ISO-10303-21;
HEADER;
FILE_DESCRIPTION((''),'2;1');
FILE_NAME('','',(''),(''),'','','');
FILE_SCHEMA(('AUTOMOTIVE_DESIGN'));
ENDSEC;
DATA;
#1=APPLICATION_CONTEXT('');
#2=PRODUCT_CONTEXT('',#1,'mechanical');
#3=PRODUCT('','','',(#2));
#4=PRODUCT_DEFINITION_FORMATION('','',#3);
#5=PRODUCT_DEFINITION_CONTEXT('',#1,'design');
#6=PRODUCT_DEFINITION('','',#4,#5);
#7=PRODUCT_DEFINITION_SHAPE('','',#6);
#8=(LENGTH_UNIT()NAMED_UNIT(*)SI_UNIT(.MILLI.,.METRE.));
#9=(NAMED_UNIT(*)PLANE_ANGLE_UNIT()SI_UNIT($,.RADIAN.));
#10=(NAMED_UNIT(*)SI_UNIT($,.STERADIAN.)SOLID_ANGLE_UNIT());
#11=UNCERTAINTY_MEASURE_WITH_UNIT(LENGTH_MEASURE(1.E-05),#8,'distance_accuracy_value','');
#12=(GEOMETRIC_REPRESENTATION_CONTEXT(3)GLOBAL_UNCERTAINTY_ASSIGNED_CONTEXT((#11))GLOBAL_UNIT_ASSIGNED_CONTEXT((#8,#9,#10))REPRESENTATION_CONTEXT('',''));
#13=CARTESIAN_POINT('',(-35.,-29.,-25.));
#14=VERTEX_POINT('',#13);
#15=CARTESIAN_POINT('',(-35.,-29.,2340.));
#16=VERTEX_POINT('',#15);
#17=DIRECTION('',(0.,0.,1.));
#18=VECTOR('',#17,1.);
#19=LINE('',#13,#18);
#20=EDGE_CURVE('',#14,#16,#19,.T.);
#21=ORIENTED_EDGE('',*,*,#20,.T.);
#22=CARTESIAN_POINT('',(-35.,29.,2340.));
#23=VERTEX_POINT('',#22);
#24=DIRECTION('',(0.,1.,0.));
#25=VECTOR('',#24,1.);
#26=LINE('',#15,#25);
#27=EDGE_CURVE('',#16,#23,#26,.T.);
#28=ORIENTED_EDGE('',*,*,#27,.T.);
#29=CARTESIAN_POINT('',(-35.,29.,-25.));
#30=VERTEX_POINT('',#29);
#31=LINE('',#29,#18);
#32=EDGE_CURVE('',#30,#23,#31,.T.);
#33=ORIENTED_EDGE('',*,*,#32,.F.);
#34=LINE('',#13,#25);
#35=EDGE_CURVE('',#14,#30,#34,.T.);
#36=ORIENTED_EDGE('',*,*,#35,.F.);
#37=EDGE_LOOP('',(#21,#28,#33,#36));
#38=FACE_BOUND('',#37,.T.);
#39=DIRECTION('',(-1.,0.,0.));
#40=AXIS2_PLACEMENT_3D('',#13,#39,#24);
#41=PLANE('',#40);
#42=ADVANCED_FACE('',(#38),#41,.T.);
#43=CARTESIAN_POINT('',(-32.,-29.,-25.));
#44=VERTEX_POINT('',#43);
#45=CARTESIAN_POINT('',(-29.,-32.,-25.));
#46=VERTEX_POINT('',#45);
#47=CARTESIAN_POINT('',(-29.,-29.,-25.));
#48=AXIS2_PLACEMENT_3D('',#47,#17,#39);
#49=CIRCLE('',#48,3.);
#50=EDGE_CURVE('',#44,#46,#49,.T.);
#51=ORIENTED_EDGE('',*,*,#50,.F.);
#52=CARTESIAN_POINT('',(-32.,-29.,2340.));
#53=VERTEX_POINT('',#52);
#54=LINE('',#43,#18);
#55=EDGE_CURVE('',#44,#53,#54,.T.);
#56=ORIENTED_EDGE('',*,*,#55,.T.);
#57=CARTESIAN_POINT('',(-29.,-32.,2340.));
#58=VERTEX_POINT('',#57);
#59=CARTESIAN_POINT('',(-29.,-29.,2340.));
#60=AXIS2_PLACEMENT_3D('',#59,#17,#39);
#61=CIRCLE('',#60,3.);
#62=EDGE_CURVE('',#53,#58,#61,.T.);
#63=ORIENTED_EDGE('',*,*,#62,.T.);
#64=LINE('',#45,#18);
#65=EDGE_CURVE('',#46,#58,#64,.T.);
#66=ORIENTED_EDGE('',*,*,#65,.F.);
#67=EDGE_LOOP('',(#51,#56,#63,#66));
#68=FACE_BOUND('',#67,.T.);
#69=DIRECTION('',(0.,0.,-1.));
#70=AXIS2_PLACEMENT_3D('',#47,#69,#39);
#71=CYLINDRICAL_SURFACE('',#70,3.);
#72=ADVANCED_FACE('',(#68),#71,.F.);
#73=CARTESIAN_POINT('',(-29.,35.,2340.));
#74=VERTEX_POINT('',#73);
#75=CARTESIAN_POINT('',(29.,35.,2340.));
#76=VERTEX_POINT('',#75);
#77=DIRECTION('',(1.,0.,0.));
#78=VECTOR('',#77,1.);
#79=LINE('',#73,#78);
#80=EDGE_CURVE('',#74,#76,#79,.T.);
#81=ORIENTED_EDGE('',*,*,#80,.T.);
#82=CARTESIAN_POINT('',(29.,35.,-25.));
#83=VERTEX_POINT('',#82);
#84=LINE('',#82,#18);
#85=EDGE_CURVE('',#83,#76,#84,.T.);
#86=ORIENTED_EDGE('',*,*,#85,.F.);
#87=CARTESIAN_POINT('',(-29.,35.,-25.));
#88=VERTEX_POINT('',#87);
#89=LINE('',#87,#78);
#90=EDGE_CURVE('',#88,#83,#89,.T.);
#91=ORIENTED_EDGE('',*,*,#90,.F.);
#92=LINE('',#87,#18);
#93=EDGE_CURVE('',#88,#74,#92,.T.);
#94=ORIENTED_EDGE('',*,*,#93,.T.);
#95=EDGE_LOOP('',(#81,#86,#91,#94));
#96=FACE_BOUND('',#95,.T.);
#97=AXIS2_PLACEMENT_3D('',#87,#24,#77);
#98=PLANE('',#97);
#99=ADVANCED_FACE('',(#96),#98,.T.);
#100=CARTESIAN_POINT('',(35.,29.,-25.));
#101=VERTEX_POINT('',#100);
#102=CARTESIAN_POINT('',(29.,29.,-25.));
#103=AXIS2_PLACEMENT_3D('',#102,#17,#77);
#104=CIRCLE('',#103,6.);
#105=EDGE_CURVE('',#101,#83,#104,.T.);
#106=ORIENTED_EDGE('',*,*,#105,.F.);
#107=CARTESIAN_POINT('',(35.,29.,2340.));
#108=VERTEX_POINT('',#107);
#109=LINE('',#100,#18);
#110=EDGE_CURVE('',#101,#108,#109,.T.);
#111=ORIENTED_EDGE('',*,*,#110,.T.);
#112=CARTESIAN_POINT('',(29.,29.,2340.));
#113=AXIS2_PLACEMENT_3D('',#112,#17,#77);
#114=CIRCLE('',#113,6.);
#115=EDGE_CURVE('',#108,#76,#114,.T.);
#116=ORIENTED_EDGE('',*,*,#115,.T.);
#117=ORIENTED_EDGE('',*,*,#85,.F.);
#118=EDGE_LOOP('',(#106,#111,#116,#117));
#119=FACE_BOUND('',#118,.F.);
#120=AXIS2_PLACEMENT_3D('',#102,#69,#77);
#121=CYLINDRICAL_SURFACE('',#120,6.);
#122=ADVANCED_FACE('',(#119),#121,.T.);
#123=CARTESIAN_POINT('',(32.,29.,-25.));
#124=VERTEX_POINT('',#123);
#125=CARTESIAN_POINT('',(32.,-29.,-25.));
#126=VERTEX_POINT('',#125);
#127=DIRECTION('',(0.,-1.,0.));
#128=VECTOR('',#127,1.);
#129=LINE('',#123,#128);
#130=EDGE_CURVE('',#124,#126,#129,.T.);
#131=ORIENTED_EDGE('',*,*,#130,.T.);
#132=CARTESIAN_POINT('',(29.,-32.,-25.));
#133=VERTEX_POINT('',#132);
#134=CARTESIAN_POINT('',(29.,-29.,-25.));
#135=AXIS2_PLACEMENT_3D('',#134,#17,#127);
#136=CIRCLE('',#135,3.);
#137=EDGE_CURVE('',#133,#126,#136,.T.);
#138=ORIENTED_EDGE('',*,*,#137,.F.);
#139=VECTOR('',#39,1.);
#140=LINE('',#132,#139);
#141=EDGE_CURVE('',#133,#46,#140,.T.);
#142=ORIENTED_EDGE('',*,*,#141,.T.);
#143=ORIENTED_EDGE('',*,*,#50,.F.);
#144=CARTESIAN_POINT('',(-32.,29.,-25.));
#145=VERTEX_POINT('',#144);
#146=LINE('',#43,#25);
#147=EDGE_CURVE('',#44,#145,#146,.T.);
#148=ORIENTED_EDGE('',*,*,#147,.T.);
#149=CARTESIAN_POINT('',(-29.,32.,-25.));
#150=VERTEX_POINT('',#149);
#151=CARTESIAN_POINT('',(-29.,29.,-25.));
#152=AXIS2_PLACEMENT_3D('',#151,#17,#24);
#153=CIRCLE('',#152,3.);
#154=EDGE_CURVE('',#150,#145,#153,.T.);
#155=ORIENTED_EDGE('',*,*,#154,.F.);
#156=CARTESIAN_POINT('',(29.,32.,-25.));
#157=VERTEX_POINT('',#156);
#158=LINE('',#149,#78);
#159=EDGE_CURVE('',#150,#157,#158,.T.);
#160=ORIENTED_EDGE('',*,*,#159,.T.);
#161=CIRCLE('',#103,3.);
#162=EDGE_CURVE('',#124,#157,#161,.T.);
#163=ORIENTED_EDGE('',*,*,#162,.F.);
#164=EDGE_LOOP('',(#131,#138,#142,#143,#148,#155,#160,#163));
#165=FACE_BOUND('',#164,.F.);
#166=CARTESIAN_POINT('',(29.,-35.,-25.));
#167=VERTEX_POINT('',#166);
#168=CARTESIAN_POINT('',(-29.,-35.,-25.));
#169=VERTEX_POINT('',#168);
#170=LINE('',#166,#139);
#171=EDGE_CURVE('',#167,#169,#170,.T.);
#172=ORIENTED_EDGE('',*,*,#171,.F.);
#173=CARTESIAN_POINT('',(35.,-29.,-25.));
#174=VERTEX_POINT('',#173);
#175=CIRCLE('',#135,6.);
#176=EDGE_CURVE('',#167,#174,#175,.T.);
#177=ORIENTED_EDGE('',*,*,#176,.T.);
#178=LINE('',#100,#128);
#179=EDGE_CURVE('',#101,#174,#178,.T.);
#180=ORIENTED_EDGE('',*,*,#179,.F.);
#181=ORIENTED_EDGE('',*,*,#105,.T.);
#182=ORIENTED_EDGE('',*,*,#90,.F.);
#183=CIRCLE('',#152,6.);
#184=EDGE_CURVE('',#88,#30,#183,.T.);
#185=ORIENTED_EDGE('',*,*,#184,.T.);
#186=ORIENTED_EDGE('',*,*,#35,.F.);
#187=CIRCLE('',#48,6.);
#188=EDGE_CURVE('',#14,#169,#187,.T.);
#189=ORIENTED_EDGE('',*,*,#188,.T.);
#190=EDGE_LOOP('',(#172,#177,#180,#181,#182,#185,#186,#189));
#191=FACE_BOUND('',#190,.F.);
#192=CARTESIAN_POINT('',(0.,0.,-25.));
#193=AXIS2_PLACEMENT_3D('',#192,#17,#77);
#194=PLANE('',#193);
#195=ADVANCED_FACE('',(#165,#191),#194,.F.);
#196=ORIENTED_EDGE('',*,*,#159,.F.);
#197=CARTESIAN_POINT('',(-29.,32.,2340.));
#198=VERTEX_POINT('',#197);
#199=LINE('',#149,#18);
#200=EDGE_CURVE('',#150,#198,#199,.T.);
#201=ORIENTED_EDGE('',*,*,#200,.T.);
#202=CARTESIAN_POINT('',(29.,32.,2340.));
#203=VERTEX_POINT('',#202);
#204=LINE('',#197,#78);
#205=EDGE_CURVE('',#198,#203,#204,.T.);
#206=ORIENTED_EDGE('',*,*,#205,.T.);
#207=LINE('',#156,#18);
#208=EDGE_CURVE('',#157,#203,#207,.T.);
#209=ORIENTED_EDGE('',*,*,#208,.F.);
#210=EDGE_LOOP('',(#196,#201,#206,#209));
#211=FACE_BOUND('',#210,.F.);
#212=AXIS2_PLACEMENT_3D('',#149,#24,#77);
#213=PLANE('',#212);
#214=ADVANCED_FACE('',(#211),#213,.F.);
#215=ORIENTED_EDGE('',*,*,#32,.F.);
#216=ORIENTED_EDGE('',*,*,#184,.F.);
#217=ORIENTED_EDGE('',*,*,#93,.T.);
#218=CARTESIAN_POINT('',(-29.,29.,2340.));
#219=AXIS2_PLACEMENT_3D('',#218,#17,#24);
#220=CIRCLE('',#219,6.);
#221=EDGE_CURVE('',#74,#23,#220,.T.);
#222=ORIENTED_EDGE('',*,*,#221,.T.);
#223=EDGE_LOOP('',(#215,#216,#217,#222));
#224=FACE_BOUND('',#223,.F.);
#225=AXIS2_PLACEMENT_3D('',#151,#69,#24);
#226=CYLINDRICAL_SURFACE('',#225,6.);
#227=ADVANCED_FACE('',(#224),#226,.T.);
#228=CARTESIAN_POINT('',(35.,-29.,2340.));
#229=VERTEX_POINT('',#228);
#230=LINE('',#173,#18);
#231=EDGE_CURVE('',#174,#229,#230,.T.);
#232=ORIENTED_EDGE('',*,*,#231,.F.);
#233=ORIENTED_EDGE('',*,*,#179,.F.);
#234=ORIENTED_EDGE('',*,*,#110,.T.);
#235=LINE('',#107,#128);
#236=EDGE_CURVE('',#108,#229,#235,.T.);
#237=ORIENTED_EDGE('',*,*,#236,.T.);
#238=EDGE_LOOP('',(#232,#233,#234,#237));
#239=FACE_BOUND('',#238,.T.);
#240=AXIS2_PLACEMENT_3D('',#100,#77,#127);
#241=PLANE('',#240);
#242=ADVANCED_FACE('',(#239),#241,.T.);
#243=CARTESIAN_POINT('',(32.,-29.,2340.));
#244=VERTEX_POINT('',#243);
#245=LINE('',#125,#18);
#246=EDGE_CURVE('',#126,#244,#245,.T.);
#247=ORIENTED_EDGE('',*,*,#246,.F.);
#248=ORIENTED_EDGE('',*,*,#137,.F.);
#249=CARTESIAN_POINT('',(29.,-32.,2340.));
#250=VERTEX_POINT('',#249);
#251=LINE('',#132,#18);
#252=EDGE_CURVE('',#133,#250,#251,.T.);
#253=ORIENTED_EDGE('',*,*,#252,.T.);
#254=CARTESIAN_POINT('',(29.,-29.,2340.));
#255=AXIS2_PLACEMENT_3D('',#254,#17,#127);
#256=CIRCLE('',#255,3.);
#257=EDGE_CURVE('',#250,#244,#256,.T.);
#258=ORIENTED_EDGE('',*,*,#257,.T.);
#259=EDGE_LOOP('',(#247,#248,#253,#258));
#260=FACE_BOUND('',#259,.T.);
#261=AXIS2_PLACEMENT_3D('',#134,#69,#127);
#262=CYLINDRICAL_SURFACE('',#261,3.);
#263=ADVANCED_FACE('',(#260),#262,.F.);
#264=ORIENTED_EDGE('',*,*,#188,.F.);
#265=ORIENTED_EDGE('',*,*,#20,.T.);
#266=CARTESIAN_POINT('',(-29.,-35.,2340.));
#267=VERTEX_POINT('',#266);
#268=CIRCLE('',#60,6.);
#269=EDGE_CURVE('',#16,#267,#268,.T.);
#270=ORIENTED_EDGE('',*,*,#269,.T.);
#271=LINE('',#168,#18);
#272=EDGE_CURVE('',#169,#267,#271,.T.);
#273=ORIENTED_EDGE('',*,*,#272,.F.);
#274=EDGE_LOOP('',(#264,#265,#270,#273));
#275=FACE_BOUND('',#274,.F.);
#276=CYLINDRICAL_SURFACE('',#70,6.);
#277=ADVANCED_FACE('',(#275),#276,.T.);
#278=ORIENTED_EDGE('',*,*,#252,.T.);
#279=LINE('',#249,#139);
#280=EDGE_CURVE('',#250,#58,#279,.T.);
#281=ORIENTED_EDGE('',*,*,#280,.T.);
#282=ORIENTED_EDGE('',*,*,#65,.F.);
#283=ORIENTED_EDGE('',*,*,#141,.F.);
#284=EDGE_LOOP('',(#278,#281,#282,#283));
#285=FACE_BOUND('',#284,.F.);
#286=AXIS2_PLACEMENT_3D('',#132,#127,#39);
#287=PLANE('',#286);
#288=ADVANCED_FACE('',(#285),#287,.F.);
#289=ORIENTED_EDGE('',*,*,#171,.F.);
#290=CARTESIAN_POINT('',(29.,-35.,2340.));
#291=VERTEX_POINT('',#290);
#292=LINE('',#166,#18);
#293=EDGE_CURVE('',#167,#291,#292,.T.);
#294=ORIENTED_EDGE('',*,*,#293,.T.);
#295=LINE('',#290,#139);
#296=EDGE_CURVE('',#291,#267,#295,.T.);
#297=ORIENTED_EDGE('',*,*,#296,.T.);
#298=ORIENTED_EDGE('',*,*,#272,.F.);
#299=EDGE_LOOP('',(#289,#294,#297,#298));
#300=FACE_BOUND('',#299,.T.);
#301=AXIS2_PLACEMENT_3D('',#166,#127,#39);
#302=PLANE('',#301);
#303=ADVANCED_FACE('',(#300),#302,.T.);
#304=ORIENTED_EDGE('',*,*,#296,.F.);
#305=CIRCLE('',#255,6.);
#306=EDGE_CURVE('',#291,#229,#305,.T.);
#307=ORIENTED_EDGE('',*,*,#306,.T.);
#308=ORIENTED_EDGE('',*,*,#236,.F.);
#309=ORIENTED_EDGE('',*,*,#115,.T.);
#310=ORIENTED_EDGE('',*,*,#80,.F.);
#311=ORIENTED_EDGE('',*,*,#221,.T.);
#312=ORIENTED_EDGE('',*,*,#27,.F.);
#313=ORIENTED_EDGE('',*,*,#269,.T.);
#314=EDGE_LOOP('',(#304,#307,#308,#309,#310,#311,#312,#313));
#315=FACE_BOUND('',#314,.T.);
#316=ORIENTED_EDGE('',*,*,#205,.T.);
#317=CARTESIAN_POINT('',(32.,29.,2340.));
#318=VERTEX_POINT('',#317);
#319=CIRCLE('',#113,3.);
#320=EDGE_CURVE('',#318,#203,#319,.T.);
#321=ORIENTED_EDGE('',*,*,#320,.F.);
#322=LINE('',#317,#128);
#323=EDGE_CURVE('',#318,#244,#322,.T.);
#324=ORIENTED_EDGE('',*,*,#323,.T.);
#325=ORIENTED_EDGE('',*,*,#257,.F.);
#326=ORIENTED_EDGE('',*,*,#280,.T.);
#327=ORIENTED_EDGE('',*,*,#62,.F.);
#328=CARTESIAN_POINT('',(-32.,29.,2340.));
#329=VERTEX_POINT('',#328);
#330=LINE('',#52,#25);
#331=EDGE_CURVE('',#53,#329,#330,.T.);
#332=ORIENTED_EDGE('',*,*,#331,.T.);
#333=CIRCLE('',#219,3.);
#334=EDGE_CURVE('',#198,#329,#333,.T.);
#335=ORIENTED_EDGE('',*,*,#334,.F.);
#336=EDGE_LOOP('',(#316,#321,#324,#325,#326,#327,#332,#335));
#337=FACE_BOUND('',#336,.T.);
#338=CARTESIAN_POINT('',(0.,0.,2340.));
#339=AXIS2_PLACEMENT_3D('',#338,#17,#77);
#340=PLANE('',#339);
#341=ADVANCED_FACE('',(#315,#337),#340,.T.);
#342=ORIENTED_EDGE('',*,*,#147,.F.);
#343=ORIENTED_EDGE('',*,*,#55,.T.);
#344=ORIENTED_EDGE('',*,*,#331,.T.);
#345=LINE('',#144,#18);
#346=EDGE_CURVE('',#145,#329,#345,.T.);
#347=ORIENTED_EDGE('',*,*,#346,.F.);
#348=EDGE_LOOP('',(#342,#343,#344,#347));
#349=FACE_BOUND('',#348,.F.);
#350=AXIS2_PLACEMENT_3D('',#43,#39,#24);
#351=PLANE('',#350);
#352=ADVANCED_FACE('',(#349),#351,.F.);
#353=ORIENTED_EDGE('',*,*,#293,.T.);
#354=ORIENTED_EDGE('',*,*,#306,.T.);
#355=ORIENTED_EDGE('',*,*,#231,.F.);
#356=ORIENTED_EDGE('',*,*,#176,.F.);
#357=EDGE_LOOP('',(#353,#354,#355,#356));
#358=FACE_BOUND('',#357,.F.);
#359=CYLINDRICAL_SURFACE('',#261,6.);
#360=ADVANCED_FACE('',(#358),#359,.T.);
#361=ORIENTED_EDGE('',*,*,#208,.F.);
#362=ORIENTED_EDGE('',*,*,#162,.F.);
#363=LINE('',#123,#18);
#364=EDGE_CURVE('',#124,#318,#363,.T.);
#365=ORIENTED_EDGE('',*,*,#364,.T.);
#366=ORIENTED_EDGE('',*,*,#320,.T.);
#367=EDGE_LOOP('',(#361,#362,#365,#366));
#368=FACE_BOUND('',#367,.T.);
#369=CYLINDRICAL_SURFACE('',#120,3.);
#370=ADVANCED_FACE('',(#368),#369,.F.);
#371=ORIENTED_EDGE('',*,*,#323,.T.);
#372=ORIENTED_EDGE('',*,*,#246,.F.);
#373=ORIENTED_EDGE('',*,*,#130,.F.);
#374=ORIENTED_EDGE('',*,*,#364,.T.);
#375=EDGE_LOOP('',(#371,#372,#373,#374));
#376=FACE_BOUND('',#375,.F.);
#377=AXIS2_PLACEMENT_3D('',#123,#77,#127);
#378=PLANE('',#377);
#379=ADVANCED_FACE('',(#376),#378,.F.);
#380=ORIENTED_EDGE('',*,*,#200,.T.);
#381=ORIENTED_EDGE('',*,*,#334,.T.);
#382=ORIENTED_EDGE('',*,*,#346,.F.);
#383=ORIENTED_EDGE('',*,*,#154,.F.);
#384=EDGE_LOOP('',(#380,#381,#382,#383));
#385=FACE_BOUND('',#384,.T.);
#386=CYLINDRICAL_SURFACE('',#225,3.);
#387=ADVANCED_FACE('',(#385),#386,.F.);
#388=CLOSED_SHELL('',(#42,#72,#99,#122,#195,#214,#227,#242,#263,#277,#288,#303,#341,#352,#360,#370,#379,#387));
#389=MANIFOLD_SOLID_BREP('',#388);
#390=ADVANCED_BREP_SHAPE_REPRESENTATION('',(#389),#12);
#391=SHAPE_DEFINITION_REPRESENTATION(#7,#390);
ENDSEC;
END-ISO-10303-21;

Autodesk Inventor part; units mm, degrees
ref_plane "YZ Plane" through (0, 0, 0) normal (1, 0, 0) x (0, 1, 0)
ref_plane "Plano inicial" through (0, 0, -25) normal (0, 0, 1) x (1, 0, 0)
ref_plane "Plano final" through (0, 0, 2340) normal (0, 0, 1) x (1, 0, 0)
sketch "Boceto" plane through (0, 0, 0) normal (0, 0, 1) x (1, 0, 0)
  line L0 (-35, -29) -> (-35, 29)
  line L1 (-29, 35) -> (29, 35)
  line L2 (35, 29) -> (35, -29)
  line L3 (29, -35) -> (-29, -35)
  arc A0 (-35, -29) -> (-29, -35) centre (-29, -29) ccw
  arc A1 (35, 29) -> (29, 35) centre (29, 29) ccw
  arc A2 (-29, 35) -> (-35, 29) centre (-29, 29) ccw
  arc A3 (29, -35) -> (35, -29) centre (29, -29) ccw
  arc A4 (-29, 32) -> (-32, 29) centre (-29, 29) ccw
  line L4 (-29, 32) -> (29, 32)
  arc A5 (32, 29) -> (29, 32) centre (29, 29) ccw
  line L5 (32, 29) -> (32, -29)
  arc A6 (29, -32) -> (32, -29) centre (29, -29) ccw
  line L6 (29, -32) -> (-29, -32)
  arc A7 (-32, -29) -> (-29, -32) centre (-29, -29) ccw
  line L7 (-32, -29) -> (-32, 29)
  line L8 (0, 50.7397) -> (0, -50.7397) construction
  line L9 (-50.7397, 0) -> (50.7397, 0) construction
  dimension "d7" = 6
  dimension "d9" = 70
  dimension "d11" = 70
  dimension "d12" = 3
  dimension "d15" = 35
  dimension "d16" = 35
extrude "Cuerpo" add sketch "Boceto" along normal up to surface (2365 mm away) from surface at -25
sketch "Sketch3" plane through (0, 0, 0) normal (0, 0, 1) x (1, 0, 0)
  line L0 (0, 0) -> (10, 0)
ref_plane "Work Plane3" through (0, 0, 0) normal (0, -1, 0) x (1, 0, 0)
sketch "Sketch4" plane through (0, 0, 0) normal (0, -1, 0) x (1, 0, 0)
  line L0 (-2, -25) -> (12, -25)
  line L1 (-2, 2340) -> (12, 2340)
  dimension "d18" = 2365
equation "\"d7\" = G_IR"
equation "\"d9\" = G_W"
equation "\"d11\" = G_H"
equation "\"d12\" = G_T"
equation "\"d15\" = 0.5 * d9"
equation "\"d16\" = 0.5 * d11"
equation "\"d3\" = G_L"
equation "\"G_W\" = 70"
equation "\"G_H\" = 70"
equation "\"G_T\" = 3"
equation "\"G_IR\" = 6"
equation "\"G_L\" = d18"
equation "\"G_OFFSET_START\" = 25"
equation "\"G_OFFSET_END\" = 25"
equation "\"d13\" = -G_OFFSET_START"
equation "\"B_L\" = 2315"
properties part number "ISO 10799-2 - 70x70x3 - 2365" material "Galvanizado catalogo 2"
